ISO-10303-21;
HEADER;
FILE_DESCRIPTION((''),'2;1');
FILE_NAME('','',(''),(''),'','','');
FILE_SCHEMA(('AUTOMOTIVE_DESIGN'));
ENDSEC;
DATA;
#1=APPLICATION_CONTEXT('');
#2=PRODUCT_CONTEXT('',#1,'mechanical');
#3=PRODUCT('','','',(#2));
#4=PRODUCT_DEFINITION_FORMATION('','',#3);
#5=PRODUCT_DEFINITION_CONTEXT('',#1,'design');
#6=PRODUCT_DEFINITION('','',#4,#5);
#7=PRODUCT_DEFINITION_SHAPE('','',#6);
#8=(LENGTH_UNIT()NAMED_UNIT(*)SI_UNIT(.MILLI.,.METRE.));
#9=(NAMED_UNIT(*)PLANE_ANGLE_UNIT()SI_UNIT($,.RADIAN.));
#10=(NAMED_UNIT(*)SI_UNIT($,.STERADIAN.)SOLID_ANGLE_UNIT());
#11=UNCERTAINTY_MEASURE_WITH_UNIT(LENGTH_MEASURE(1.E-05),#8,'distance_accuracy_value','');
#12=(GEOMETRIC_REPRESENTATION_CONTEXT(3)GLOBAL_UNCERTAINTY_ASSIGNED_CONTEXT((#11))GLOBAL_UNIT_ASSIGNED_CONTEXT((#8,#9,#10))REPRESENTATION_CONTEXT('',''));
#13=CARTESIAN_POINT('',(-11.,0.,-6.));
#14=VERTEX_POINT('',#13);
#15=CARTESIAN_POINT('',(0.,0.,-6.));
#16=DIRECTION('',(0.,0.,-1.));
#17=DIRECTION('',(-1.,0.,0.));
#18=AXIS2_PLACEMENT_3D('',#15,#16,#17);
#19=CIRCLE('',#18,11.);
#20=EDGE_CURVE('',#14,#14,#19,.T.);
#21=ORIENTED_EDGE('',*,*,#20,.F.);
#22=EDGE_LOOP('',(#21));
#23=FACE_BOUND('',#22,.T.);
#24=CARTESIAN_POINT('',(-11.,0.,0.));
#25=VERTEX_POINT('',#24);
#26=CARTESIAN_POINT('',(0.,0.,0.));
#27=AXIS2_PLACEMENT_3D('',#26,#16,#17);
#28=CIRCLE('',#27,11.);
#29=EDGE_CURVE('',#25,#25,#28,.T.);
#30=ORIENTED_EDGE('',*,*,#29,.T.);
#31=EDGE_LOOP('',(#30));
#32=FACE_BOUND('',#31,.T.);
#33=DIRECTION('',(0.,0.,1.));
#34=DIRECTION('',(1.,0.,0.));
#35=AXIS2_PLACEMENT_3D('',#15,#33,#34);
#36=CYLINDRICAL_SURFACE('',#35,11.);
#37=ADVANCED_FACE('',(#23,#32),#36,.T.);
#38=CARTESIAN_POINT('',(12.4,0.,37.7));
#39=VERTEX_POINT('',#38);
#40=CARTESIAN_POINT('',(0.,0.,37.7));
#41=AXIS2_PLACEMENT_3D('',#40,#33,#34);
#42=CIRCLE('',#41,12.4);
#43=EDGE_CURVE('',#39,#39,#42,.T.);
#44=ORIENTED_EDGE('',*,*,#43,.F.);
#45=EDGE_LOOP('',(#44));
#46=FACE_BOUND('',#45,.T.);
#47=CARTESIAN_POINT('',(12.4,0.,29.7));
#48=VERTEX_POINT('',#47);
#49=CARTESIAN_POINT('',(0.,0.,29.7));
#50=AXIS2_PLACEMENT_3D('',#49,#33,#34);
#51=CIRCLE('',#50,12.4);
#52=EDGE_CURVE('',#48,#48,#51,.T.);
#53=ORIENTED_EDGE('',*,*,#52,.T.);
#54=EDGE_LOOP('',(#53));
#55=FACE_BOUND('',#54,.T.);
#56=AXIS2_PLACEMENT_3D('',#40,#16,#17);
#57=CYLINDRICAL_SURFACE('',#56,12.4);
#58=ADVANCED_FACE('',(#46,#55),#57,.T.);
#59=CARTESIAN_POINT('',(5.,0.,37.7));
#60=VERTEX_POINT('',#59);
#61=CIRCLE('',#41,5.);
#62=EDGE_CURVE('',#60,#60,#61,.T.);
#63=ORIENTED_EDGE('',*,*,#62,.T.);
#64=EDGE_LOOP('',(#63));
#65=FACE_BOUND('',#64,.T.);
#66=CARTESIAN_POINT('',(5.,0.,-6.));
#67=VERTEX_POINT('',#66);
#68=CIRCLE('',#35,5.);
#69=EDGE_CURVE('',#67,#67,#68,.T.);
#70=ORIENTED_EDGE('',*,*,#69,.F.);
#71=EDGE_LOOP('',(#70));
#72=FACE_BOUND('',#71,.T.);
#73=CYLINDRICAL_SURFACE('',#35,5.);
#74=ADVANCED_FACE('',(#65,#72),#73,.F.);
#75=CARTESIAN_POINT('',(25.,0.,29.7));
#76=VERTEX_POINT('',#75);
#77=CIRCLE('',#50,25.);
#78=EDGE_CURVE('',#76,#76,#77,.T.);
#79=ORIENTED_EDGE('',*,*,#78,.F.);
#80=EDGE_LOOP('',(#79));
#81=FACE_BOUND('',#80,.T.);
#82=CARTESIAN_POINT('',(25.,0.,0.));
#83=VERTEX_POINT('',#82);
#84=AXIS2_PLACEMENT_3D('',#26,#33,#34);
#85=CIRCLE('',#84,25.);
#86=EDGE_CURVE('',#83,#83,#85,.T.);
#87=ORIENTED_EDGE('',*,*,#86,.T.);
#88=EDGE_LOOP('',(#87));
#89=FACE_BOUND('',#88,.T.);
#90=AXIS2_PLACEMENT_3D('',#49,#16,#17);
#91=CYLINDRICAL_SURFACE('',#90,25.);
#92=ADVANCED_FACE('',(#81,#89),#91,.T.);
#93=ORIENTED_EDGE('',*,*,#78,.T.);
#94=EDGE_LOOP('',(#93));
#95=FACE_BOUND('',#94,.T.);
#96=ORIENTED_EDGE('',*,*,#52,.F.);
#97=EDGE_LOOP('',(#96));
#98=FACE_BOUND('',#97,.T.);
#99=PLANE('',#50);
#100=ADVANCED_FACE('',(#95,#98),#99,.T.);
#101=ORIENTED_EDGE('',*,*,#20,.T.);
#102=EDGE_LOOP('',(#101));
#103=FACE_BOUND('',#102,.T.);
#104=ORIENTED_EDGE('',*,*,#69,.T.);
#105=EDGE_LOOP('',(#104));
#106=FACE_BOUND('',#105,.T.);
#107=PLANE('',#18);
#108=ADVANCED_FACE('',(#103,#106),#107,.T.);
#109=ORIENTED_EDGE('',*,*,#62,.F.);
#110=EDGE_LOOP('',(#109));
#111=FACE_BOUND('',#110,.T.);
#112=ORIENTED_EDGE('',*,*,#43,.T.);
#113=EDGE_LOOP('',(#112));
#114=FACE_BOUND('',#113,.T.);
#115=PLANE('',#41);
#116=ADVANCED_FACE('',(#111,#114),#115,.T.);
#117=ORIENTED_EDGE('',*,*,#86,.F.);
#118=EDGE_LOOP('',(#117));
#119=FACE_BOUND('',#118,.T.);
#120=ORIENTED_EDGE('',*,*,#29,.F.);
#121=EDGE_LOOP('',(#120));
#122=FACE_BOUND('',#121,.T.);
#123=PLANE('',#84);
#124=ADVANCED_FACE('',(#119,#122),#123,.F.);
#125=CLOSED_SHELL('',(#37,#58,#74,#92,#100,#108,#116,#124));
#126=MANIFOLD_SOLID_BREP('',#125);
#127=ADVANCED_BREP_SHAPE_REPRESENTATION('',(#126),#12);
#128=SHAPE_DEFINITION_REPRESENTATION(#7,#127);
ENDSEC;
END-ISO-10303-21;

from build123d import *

# Parameters (mm, degrees)
IZIM1_R                     = 25
Y_KSEKLIK_EKSTR_ZYON1_DEPTH = 29.7
IZIM2_R                     = 11
Y_KSEKLIK_EKSTR_ZYON2_DEPTH = 6
IZIM3_R                     = 12.4
Y_KSEKLIK_EKSTR_ZYON3_DEPTH = 8
IZIM4_R                     = 5
KES_EKSTR_ZYON1_DEPTH       = 57.211119896


with BuildPart() as part:
    # Çizim1 → Yükseklik-Ekstrüzyon1 (new body)
    with BuildSketch(Plane.XY):
        Circle(IZIM1_R)
    extrude(amount=Y_KSEKLIK_EKSTR_ZYON1_DEPTH)

    # Çizim2 → Yükseklik-Ekstrüzyon2 (add)
    with BuildSketch(Plane(origin=(0, 0, 0), x_dir=(-1, 0, 0), z_dir=(0, 0, -1))):
        Circle(IZIM2_R)
    extrude(amount=Y_KSEKLIK_EKSTR_ZYON2_DEPTH)

    # Çizim3 → Yükseklik-Ekstrüzyon3 (add)
    with BuildSketch(Plane.XY.offset(29.7)):
        Circle(IZIM3_R)
    extrude(amount=Y_KSEKLIK_EKSTR_ZYON3_DEPTH)

    # Çizim4 → Kes-Ekstrüzyon1 (cut, through all)
    with BuildSketch(Plane.XY.offset(37.7)):
        Circle(IZIM4_R)
    extrude(amount=-KES_EKSTR_ZYON1_DEPTH, mode=Mode.SUBTRACT)


solid = part.part
